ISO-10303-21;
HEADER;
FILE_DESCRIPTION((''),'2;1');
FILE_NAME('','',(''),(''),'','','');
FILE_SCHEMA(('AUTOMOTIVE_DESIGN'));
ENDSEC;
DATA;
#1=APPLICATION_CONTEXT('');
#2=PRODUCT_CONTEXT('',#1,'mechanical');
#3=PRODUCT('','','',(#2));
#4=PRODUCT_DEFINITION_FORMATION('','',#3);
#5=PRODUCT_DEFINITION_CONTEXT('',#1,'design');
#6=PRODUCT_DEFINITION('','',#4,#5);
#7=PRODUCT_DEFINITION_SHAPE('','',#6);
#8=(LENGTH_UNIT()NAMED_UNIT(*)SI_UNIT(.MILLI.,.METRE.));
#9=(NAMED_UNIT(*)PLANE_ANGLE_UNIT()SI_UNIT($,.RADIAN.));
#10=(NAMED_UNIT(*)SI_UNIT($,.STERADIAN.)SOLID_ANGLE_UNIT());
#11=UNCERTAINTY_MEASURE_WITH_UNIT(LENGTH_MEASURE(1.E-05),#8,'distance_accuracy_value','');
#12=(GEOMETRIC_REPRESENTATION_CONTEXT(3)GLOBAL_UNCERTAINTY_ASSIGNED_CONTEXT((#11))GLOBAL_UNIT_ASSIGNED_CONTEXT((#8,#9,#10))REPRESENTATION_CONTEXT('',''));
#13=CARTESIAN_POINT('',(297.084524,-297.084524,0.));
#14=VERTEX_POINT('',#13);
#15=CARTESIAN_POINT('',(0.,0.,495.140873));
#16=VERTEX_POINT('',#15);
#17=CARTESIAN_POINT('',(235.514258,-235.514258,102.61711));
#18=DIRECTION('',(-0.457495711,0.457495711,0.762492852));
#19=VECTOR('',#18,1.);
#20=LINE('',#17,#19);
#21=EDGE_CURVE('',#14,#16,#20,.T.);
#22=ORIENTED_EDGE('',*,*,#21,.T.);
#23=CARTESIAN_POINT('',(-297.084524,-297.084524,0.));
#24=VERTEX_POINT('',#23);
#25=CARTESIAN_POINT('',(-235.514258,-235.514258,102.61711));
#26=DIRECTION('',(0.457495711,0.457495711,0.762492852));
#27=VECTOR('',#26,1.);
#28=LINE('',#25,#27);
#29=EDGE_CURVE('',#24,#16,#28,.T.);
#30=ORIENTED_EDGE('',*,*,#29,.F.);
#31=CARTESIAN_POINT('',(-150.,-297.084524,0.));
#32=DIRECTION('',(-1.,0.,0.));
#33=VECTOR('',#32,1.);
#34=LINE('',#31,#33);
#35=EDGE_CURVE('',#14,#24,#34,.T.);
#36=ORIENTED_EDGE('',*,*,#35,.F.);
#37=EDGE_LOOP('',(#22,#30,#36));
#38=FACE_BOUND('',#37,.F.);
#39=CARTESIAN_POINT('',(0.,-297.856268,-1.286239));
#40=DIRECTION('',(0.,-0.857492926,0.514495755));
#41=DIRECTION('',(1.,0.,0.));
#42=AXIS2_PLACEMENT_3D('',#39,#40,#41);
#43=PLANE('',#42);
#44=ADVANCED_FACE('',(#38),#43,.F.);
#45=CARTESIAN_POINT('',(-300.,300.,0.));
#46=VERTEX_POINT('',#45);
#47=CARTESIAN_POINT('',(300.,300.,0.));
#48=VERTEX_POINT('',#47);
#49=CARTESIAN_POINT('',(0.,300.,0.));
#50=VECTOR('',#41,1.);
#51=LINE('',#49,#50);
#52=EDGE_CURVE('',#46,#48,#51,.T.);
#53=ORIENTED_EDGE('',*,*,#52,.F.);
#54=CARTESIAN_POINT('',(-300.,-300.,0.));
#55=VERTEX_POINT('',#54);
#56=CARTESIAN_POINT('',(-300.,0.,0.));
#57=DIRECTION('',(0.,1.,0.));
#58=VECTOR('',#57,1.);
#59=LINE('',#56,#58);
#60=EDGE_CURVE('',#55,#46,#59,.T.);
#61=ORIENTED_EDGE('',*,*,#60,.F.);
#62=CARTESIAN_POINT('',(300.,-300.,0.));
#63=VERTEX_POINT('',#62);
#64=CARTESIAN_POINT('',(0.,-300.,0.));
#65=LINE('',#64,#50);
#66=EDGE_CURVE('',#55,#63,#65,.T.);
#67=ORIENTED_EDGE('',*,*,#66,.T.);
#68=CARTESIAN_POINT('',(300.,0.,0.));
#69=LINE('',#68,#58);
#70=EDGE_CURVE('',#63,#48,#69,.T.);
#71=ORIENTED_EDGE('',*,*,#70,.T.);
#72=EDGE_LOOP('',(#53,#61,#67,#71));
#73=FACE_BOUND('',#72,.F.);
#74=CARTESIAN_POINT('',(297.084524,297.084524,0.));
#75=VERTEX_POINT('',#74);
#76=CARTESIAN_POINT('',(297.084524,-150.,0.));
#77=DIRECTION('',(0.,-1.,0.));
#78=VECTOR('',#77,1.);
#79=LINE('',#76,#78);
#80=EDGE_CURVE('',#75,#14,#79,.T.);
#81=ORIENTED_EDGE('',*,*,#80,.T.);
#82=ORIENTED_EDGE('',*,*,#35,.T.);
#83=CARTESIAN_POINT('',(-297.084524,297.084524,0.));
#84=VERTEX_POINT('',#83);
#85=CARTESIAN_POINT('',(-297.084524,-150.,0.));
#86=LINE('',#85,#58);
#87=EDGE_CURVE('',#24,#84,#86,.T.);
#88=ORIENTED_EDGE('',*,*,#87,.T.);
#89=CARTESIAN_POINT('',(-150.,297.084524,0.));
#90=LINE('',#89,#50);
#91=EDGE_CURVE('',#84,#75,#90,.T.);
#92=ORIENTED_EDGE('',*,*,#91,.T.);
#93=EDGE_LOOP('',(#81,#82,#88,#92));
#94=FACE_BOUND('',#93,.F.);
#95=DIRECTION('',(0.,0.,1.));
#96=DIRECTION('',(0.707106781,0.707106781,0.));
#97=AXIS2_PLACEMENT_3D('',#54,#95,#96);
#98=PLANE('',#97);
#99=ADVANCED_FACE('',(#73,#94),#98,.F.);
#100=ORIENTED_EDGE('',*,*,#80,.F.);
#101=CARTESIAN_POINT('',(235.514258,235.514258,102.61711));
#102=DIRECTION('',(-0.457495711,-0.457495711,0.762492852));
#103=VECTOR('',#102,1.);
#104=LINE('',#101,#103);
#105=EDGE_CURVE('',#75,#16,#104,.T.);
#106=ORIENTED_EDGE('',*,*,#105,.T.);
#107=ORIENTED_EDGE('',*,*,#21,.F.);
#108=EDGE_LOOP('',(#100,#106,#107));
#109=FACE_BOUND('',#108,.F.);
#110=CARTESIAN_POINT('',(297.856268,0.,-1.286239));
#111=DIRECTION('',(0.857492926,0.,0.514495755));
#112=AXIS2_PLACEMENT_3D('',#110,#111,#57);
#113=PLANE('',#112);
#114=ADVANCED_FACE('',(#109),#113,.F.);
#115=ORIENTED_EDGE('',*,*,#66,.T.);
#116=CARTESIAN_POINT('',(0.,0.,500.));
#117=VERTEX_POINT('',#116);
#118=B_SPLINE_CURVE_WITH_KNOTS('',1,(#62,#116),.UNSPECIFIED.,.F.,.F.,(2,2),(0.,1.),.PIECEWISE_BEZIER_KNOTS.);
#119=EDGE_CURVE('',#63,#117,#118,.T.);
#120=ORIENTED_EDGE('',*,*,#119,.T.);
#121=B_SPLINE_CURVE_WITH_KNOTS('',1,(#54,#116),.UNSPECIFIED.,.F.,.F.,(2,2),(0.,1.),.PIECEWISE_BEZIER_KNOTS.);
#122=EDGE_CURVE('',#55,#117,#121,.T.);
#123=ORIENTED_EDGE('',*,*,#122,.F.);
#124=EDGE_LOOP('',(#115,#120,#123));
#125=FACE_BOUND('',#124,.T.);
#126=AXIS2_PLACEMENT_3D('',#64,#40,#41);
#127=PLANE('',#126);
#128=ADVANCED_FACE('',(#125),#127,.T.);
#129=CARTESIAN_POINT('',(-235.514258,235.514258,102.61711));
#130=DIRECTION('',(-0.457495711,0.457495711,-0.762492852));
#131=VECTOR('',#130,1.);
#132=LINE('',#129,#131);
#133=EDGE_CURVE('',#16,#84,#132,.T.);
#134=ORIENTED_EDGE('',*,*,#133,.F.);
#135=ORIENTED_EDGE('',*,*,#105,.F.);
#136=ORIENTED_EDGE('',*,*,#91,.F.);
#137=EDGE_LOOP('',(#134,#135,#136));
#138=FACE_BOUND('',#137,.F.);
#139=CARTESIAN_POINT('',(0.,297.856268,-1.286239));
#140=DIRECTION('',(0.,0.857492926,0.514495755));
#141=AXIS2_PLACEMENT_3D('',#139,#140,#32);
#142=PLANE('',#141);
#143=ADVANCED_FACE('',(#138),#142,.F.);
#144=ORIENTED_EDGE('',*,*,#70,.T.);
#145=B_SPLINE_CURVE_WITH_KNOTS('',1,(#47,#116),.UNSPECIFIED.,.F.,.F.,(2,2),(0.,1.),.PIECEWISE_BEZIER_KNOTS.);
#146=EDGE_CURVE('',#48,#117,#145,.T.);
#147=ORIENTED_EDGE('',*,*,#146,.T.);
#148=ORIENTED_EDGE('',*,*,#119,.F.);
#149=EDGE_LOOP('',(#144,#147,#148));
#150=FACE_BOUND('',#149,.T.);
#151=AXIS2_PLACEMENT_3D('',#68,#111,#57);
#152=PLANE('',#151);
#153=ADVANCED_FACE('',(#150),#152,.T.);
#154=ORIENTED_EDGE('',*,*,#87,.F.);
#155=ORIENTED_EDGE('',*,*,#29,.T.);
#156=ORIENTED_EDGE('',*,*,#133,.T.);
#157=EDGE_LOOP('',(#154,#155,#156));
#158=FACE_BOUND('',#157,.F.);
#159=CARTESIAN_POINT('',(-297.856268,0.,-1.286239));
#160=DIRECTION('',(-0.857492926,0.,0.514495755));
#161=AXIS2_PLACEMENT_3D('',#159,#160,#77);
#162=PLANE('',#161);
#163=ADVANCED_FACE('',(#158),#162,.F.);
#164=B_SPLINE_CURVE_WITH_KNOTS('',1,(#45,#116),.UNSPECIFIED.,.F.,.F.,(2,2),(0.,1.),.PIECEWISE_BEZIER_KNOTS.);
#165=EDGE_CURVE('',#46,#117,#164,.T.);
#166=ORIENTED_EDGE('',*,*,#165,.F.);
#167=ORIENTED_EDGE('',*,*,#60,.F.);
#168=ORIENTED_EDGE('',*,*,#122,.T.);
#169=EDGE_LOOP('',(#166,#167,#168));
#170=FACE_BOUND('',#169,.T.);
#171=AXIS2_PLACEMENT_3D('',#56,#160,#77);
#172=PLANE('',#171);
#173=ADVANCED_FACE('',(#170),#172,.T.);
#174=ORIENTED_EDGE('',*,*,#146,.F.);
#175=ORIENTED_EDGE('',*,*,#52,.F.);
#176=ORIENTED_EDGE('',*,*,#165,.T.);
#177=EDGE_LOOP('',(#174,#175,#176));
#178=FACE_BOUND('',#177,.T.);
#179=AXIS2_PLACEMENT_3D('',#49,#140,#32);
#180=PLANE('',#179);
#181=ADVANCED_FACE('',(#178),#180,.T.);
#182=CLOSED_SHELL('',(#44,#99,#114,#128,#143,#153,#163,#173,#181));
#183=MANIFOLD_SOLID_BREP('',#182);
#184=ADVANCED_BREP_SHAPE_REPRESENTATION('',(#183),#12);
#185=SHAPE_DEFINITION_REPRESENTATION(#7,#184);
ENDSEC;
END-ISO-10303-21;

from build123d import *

# Parameters (mm, degrees)
F0_W = 600
F0_H = 600
F3_T = -2.5


with BuildPart() as f2:
    # F0 (on Top) → F2 section 0
    with BuildSketch(Plane.XY, mode=Mode.PRIVATE) as f2_s0:
        Rectangle(F0_W, F0_H)
    loft([f2_s0.sketch, Vertex(0, 0, 500)])

    # F3
    f3_openings = [f2.faces().sort_by_distance(p)[0] for p in [
        (0, 0, 0),
    ]]
    offset(amount=F3_T, openings=f3_openings)


solid = f2.part
